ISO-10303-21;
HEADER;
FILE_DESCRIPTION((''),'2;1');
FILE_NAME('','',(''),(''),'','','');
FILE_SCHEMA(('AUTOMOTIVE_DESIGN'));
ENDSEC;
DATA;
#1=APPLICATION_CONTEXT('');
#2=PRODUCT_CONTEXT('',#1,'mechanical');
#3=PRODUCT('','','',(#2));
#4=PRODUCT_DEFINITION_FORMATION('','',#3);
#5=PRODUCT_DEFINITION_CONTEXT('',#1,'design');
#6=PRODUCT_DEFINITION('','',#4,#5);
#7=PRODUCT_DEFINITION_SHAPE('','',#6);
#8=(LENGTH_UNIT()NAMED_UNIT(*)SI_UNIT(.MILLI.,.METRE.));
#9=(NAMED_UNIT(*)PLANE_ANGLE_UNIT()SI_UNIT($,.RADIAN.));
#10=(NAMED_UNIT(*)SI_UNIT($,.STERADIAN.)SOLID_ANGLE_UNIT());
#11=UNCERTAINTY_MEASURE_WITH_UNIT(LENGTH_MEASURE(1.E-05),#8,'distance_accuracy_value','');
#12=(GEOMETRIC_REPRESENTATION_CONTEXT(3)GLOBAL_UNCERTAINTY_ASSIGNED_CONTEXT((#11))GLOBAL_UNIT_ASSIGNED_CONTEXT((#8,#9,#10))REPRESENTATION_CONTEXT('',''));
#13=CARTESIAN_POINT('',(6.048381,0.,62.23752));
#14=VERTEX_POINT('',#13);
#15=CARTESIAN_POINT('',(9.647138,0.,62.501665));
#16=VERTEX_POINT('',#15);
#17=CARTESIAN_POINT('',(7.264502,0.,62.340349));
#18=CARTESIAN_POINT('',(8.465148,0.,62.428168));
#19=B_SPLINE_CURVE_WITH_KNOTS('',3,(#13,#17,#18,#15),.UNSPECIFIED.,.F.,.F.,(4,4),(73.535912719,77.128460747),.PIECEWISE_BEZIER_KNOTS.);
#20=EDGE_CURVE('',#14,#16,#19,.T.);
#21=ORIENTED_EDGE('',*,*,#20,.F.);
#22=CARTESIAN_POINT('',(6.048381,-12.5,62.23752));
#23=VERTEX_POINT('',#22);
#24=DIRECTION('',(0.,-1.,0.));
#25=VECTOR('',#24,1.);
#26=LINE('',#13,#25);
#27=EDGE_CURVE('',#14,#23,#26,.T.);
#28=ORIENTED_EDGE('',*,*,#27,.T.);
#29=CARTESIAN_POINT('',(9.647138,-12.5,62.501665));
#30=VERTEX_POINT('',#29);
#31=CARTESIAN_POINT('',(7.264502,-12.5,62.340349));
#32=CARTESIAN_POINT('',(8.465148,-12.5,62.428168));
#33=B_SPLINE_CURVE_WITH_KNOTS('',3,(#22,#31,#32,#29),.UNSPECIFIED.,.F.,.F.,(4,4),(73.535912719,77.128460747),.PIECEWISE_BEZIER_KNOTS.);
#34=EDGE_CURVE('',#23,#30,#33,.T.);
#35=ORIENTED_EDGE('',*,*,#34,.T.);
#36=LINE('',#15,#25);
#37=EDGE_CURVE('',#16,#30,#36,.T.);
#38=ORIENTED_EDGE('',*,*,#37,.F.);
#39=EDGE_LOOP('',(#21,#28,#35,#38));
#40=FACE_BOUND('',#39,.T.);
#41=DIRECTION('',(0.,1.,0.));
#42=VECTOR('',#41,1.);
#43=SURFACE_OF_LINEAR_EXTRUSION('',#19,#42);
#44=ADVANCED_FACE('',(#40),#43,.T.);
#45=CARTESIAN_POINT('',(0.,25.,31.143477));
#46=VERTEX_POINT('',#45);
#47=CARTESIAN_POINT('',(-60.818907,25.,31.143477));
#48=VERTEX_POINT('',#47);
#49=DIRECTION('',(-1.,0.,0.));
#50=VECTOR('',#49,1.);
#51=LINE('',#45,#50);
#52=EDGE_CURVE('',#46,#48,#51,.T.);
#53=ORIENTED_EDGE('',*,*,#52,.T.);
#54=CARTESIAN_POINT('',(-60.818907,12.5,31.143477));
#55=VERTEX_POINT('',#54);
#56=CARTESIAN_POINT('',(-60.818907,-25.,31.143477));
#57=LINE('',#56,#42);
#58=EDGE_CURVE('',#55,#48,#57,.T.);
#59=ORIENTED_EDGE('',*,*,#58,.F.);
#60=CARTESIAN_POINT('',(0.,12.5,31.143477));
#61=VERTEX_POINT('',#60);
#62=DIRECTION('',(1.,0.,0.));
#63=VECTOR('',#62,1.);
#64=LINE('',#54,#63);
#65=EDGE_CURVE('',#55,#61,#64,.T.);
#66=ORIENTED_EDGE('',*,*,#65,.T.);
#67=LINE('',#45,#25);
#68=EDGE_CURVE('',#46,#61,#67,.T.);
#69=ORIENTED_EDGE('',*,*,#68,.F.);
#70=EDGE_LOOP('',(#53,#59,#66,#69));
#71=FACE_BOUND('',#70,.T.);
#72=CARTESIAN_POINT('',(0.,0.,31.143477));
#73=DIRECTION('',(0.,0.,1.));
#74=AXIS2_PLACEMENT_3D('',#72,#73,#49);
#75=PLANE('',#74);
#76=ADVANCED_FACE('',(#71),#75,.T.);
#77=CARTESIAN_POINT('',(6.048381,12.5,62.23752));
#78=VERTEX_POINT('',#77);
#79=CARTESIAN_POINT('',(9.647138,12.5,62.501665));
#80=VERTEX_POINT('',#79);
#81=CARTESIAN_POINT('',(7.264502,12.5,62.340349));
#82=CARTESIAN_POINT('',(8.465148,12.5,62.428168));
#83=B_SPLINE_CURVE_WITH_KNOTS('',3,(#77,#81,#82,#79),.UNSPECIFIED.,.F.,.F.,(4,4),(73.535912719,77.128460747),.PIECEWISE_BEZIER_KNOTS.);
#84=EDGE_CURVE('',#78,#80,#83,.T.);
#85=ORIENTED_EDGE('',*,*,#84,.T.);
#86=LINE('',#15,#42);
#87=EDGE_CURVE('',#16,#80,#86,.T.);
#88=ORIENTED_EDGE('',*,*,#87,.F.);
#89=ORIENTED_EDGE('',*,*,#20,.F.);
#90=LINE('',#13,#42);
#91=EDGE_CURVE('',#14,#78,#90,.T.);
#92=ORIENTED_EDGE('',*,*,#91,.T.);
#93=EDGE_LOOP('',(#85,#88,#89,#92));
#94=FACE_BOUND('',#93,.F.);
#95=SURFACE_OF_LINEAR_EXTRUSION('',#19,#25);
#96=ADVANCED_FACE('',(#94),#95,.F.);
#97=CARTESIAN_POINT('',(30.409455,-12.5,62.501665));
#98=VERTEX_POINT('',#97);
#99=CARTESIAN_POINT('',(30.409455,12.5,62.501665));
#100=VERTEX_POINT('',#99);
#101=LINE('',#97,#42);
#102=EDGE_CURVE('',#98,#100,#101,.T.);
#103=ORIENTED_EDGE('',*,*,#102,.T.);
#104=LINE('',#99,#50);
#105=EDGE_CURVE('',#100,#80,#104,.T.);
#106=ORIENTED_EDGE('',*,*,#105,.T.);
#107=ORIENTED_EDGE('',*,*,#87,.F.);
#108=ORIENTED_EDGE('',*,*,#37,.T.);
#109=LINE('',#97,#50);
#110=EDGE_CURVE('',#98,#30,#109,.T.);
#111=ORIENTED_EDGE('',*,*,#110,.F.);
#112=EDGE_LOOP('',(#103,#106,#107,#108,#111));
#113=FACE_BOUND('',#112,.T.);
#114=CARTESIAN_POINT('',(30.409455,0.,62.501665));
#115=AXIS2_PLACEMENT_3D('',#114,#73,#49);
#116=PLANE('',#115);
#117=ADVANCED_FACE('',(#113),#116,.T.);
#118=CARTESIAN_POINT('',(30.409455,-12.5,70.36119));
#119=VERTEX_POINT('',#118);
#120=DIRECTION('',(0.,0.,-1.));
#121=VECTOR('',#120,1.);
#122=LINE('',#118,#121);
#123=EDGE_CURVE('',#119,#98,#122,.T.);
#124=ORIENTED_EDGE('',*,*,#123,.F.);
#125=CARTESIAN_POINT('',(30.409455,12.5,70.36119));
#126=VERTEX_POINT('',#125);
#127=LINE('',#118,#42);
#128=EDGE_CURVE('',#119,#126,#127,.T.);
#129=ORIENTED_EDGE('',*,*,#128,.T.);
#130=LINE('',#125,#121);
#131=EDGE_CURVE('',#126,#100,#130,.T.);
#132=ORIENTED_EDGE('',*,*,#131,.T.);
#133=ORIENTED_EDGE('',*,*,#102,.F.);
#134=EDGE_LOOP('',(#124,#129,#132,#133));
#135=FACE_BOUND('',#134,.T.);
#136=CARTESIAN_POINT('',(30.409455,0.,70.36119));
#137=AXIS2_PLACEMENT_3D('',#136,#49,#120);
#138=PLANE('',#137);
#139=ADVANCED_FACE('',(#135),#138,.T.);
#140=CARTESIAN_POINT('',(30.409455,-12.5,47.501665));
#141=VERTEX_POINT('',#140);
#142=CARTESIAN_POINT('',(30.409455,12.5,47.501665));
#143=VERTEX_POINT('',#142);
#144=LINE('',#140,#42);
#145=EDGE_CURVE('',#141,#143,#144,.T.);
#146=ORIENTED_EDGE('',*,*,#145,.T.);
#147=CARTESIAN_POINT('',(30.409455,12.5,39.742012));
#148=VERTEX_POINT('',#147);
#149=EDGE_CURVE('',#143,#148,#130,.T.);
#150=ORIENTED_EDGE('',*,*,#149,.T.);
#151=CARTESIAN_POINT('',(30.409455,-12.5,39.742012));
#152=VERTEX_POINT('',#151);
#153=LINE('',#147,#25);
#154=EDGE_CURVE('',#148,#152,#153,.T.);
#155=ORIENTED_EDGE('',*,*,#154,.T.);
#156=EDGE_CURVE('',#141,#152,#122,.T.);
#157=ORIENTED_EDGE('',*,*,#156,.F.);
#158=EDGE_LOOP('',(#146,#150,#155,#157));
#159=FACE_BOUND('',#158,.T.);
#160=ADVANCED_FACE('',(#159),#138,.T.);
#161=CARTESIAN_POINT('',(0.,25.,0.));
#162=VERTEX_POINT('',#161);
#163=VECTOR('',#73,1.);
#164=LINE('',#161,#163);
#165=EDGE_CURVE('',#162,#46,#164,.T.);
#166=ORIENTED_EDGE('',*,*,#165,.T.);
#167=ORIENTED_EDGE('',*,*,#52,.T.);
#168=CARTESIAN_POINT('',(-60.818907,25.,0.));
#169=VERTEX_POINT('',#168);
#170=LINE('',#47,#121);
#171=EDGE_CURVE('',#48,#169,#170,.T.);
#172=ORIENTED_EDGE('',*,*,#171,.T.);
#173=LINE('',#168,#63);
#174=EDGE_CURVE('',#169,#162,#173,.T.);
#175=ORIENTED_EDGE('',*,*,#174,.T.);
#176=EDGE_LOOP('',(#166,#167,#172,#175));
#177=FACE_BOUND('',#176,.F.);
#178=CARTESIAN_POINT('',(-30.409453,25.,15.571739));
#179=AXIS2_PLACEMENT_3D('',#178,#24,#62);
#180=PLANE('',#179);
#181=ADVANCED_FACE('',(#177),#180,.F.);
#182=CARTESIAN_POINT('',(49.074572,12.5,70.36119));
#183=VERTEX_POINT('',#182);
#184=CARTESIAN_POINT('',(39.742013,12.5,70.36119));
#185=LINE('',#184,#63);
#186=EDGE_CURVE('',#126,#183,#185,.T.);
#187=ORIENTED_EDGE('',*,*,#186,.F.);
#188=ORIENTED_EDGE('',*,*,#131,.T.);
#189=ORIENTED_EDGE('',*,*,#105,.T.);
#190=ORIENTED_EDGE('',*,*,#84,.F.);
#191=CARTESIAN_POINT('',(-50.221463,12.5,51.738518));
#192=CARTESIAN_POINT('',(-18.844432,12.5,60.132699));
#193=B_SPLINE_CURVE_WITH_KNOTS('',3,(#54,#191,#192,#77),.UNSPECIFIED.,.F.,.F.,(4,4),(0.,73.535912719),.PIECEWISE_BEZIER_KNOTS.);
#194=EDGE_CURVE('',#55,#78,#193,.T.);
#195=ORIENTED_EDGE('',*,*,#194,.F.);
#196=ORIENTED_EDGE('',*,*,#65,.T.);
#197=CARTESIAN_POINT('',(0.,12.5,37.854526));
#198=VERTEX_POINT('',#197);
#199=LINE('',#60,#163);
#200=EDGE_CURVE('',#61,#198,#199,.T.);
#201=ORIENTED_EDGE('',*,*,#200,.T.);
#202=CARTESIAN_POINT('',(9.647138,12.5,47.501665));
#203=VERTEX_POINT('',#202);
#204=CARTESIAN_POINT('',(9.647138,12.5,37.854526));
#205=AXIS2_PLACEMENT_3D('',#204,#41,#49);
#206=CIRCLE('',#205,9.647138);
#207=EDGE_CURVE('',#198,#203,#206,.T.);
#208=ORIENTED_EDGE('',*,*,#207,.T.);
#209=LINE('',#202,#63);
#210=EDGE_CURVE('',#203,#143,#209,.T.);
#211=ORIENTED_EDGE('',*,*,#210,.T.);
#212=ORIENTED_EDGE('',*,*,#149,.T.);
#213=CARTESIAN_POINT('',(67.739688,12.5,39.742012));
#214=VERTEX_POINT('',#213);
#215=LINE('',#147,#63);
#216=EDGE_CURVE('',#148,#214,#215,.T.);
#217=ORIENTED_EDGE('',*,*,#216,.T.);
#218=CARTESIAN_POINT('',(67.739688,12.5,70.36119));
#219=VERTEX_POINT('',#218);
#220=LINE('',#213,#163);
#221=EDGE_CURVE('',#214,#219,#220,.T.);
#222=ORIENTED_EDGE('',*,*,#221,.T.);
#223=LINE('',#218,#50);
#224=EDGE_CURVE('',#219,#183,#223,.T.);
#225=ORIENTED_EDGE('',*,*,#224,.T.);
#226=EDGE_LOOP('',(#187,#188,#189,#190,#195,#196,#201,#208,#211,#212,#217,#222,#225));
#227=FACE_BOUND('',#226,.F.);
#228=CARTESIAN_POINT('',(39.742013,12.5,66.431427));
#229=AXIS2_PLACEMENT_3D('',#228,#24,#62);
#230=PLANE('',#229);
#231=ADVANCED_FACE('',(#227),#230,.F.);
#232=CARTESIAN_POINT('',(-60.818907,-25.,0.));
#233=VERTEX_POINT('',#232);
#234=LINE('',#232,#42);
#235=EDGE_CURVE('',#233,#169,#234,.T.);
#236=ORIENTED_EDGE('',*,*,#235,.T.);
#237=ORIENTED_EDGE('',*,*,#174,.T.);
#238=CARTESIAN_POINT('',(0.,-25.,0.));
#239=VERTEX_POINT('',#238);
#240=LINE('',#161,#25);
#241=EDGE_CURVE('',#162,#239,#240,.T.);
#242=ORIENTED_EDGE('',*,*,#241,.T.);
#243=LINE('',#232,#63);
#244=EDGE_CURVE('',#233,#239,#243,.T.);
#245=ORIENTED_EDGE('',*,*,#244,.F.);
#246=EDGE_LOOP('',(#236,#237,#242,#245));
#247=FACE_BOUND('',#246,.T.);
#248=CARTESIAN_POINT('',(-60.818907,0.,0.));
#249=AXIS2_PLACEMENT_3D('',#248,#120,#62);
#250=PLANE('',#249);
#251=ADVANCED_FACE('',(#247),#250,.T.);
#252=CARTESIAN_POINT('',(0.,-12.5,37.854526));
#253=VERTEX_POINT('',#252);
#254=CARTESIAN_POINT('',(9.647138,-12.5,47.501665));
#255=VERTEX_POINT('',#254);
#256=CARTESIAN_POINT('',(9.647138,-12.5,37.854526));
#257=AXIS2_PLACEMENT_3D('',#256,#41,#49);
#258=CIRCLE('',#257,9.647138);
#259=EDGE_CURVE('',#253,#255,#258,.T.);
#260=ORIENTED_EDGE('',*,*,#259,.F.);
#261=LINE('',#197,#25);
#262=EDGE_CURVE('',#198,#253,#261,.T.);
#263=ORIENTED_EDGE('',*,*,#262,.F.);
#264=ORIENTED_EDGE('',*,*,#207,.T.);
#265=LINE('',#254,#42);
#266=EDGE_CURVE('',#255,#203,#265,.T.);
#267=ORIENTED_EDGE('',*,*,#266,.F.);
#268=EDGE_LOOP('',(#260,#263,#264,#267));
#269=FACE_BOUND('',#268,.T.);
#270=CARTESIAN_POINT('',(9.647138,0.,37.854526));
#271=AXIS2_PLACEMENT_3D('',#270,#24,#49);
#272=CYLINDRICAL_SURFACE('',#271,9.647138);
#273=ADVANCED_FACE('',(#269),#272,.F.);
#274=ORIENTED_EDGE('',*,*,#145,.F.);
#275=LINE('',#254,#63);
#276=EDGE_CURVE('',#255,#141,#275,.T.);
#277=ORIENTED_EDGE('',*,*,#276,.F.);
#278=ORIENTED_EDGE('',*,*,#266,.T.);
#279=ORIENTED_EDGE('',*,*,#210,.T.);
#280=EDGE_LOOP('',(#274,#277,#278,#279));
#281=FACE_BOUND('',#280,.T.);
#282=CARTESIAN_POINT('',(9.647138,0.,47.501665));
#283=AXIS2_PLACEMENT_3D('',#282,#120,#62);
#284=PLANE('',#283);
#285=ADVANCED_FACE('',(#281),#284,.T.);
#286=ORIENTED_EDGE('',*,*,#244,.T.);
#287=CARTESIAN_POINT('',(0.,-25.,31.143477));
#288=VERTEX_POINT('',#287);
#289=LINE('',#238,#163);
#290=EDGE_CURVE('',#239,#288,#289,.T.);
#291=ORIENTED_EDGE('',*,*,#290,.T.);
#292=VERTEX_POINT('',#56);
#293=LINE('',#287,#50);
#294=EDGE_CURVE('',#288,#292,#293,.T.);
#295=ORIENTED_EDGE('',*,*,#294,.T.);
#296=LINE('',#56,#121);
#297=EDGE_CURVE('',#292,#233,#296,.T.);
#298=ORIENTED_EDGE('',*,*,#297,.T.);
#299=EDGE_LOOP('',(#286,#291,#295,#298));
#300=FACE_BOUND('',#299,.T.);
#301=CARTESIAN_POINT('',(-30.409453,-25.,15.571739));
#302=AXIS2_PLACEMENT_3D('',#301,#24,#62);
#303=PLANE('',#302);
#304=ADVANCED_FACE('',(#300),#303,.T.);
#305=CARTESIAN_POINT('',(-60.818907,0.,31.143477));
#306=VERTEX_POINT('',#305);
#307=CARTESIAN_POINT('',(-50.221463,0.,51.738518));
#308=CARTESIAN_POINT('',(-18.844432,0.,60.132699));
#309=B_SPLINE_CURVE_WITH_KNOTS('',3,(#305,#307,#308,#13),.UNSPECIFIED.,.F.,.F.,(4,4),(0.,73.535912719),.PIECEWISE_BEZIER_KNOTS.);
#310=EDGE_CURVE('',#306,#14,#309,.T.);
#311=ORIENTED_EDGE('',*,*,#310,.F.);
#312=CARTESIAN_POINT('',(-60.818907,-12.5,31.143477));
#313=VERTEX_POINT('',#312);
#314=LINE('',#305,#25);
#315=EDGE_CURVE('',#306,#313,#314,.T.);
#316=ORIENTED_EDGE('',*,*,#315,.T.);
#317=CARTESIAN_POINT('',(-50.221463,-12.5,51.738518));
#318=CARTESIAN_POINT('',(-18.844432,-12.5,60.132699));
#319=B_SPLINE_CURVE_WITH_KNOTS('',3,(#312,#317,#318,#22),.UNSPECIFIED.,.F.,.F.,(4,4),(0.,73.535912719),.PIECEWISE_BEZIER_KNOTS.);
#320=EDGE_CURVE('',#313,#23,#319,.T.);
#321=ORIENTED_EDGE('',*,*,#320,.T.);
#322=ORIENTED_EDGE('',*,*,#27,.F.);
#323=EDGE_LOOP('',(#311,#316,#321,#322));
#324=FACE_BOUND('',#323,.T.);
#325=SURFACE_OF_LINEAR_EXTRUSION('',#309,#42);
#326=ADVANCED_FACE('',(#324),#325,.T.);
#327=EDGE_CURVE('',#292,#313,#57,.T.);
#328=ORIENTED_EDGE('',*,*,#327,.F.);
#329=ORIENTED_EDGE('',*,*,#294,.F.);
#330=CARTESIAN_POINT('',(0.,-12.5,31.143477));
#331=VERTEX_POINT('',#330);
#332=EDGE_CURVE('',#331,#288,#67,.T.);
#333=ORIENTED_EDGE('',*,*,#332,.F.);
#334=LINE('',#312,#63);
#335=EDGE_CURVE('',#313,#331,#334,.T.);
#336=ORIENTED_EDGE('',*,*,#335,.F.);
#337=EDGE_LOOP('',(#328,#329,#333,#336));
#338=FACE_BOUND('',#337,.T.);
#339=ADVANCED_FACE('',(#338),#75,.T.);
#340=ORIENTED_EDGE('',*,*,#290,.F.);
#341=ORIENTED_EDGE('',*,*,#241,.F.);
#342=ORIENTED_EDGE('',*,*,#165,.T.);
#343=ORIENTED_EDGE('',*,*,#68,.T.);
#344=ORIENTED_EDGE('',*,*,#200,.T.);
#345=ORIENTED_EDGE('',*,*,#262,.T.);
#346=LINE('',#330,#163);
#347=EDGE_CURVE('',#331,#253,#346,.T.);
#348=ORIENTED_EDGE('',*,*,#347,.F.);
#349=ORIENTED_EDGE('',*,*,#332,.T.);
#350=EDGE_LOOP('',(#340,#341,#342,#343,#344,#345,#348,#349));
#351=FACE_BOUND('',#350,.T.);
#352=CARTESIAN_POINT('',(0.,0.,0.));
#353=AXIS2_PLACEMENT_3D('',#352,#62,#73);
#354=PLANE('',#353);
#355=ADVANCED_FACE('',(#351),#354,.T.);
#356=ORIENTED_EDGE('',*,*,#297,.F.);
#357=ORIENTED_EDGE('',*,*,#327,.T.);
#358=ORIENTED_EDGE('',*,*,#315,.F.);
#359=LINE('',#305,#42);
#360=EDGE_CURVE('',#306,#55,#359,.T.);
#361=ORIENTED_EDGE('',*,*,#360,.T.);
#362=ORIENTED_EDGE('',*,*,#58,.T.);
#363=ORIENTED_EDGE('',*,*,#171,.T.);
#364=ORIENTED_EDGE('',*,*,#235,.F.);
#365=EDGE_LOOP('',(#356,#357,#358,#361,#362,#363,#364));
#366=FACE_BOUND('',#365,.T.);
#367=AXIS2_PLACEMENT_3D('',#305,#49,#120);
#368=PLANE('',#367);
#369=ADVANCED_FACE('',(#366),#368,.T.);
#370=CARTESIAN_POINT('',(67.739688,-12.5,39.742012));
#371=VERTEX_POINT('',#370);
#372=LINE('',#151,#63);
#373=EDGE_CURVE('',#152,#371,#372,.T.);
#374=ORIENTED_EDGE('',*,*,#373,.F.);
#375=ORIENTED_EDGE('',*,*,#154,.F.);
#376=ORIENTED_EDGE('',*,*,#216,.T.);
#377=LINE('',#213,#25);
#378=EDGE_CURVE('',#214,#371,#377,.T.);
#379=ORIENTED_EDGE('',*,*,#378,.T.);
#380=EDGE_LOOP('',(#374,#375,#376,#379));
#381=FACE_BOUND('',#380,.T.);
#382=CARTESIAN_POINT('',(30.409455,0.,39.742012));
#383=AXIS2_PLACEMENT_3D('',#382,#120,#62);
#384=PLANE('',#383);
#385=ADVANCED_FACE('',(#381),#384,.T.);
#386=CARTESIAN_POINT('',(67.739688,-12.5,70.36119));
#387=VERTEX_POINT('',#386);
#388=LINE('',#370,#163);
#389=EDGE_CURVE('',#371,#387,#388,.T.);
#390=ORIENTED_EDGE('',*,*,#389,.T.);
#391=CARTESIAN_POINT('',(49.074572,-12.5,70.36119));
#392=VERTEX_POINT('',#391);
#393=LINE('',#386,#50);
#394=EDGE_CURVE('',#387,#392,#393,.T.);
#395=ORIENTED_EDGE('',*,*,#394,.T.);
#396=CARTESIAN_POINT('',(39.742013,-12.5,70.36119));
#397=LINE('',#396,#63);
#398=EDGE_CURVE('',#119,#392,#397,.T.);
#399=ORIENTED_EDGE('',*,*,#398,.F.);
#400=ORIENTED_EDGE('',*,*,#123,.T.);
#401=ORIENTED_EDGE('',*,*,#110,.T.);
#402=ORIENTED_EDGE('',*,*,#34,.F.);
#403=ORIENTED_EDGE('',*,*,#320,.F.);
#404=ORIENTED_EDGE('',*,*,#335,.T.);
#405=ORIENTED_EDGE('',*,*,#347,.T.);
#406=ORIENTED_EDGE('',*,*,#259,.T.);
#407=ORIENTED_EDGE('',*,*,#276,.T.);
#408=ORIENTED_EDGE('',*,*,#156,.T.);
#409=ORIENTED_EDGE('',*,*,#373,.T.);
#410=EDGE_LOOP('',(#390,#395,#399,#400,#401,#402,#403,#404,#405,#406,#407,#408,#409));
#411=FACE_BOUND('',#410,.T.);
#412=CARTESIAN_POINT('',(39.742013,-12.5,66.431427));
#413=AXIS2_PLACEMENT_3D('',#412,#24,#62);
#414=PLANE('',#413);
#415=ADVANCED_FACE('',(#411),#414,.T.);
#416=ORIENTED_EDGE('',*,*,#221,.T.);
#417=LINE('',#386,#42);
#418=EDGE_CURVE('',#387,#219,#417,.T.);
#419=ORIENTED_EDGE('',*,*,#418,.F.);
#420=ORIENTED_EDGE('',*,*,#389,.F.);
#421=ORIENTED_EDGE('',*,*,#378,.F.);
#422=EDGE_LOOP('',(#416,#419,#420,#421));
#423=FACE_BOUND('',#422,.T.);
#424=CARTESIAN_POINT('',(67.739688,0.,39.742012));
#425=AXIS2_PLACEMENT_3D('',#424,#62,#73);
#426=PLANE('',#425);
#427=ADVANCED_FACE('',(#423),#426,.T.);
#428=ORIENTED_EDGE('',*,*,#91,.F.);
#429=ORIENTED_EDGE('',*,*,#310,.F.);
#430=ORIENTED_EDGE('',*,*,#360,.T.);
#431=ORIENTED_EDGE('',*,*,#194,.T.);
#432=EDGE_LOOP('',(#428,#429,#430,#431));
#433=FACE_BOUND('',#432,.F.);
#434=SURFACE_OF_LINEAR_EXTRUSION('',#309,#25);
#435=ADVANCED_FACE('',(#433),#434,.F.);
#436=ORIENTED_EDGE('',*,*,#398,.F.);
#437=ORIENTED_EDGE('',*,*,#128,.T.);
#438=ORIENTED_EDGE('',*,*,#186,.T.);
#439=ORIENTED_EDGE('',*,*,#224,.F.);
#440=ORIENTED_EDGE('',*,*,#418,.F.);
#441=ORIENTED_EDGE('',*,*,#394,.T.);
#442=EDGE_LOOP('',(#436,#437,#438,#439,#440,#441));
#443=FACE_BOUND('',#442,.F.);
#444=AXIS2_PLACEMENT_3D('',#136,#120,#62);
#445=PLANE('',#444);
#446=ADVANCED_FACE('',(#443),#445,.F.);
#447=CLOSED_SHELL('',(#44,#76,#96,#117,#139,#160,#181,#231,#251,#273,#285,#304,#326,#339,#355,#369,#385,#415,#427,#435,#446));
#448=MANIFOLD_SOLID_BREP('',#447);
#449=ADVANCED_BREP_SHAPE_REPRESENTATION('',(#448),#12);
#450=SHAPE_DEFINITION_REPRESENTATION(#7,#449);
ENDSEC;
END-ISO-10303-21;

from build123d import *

# Parameters (mm, degrees)
F1_DEPTH = 12.5
F2_DEPTH = 25
F0_W     = 18.6651162803
F0_H     = 7.8595249355
F0_H_2   = 15
F0_H_3   = 7.7596530318
F3_DEPTH = 12.5


with BuildPart() as f1:
    # F0 (on Front) → F1 (new body, symmetric)
    with BuildSketch(Plane.XZ):
        with BuildLine():
            add(Edge.make_bspline(
                [(-60.8189068735, 31.1434771866), (-50.2214631846, 51.7385184087), (-18.8444322176, 60.1326987931), (6.0483806323, 62.2375197437)],
                knots=[0, 0, 0, 0, 73.5359127192, 73.5359127192, 73.5359127192, 73.5359127192], degree=3))
            Line((-60.8189068735, 31.1434771866), (-15, 31.1434771866))
            Line((-15, 31.1434771866), (-15, 37.8545261919))
            ThreePointArc((-15, 37.8545261919), (-9.0100386658, 53.9601517758), (6.0483806323, 62.2375197437))
        make_face()
        with BuildLine():
            Line((-15, 31.1434771866), (0, 31.1434771866))
            Line((0, 31.1434771866), (0, 37.8545261919))
            ThreePointArc((0, 37.8545261919), (2.8255814232, 44.6760831855), (9.6471384168, 47.5016646087))
            Line((9.6471384168, 47.5016646087), (30.4094552994, 47.5016646087))
            Line((30.4094552994, 47.5016646087), (30.4094552994, 62.5016646087))
            Line((30.4094552994, 62.5016646087), (9.6471384168, 62.5016646087))
            add(Edge.make_bspline(
                [(6.0483806323, 62.2375197437), (7.2645024211, 62.3403493691), (8.4651480287, 62.4281678914), (9.6471384168, 62.5016646087)],
                knots=[73.5359127192, 73.5359127192, 73.5359127192, 73.5359127192, 77.1284607473, 77.1284607473, 77.1284607473, 77.1284607473], degree=3))
            ThreePointArc((6.0483806323, 62.2375197437), (-9.0100386658, 53.9601517758), (-15, 37.8545261919))
            Line((-15, 37.8545261919), (-15, 31.1434771866))
        make_face()
    extrude(amount=F1_DEPTH, both=True)

    # F0 (on Front) → F2 (join, symmetric)
    with BuildSketch(Plane.XZ):
        Polygon((-60.8189068735, 0), (0, 0), (0, 31.1434771866), (-15, 31.1434771866), (-60.8189068735, 31.1434771866), align=None)
    extrude(amount=F2_DEPTH, both=True)

    # F0 (on Front) → F3 (join, symmetric)
    with BuildSketch(Plane.XZ):
        with Locations((39.7420134395, 66.4314270765)):
            Rectangle(F0_W, F0_H)
        with Locations((39.7420134395, 55.0016646087)):
            Rectangle(F0_W, F0_H_2)
        with Locations((39.7420134395, 43.6218380928)):
            Rectangle(F0_W, F0_H_3)
        Polygon((49.0745715797, 62.5016646087), (49.0745715797, 47.5016646087), (49.0745715797, 39.7420115769), (67.73968786, 39.7420115769), (67.73968786, 70.3611895442), (49.0745715797, 70.3611895442), align=None)
    extrude(amount=F3_DEPTH, both=True)


solid = f1.part
